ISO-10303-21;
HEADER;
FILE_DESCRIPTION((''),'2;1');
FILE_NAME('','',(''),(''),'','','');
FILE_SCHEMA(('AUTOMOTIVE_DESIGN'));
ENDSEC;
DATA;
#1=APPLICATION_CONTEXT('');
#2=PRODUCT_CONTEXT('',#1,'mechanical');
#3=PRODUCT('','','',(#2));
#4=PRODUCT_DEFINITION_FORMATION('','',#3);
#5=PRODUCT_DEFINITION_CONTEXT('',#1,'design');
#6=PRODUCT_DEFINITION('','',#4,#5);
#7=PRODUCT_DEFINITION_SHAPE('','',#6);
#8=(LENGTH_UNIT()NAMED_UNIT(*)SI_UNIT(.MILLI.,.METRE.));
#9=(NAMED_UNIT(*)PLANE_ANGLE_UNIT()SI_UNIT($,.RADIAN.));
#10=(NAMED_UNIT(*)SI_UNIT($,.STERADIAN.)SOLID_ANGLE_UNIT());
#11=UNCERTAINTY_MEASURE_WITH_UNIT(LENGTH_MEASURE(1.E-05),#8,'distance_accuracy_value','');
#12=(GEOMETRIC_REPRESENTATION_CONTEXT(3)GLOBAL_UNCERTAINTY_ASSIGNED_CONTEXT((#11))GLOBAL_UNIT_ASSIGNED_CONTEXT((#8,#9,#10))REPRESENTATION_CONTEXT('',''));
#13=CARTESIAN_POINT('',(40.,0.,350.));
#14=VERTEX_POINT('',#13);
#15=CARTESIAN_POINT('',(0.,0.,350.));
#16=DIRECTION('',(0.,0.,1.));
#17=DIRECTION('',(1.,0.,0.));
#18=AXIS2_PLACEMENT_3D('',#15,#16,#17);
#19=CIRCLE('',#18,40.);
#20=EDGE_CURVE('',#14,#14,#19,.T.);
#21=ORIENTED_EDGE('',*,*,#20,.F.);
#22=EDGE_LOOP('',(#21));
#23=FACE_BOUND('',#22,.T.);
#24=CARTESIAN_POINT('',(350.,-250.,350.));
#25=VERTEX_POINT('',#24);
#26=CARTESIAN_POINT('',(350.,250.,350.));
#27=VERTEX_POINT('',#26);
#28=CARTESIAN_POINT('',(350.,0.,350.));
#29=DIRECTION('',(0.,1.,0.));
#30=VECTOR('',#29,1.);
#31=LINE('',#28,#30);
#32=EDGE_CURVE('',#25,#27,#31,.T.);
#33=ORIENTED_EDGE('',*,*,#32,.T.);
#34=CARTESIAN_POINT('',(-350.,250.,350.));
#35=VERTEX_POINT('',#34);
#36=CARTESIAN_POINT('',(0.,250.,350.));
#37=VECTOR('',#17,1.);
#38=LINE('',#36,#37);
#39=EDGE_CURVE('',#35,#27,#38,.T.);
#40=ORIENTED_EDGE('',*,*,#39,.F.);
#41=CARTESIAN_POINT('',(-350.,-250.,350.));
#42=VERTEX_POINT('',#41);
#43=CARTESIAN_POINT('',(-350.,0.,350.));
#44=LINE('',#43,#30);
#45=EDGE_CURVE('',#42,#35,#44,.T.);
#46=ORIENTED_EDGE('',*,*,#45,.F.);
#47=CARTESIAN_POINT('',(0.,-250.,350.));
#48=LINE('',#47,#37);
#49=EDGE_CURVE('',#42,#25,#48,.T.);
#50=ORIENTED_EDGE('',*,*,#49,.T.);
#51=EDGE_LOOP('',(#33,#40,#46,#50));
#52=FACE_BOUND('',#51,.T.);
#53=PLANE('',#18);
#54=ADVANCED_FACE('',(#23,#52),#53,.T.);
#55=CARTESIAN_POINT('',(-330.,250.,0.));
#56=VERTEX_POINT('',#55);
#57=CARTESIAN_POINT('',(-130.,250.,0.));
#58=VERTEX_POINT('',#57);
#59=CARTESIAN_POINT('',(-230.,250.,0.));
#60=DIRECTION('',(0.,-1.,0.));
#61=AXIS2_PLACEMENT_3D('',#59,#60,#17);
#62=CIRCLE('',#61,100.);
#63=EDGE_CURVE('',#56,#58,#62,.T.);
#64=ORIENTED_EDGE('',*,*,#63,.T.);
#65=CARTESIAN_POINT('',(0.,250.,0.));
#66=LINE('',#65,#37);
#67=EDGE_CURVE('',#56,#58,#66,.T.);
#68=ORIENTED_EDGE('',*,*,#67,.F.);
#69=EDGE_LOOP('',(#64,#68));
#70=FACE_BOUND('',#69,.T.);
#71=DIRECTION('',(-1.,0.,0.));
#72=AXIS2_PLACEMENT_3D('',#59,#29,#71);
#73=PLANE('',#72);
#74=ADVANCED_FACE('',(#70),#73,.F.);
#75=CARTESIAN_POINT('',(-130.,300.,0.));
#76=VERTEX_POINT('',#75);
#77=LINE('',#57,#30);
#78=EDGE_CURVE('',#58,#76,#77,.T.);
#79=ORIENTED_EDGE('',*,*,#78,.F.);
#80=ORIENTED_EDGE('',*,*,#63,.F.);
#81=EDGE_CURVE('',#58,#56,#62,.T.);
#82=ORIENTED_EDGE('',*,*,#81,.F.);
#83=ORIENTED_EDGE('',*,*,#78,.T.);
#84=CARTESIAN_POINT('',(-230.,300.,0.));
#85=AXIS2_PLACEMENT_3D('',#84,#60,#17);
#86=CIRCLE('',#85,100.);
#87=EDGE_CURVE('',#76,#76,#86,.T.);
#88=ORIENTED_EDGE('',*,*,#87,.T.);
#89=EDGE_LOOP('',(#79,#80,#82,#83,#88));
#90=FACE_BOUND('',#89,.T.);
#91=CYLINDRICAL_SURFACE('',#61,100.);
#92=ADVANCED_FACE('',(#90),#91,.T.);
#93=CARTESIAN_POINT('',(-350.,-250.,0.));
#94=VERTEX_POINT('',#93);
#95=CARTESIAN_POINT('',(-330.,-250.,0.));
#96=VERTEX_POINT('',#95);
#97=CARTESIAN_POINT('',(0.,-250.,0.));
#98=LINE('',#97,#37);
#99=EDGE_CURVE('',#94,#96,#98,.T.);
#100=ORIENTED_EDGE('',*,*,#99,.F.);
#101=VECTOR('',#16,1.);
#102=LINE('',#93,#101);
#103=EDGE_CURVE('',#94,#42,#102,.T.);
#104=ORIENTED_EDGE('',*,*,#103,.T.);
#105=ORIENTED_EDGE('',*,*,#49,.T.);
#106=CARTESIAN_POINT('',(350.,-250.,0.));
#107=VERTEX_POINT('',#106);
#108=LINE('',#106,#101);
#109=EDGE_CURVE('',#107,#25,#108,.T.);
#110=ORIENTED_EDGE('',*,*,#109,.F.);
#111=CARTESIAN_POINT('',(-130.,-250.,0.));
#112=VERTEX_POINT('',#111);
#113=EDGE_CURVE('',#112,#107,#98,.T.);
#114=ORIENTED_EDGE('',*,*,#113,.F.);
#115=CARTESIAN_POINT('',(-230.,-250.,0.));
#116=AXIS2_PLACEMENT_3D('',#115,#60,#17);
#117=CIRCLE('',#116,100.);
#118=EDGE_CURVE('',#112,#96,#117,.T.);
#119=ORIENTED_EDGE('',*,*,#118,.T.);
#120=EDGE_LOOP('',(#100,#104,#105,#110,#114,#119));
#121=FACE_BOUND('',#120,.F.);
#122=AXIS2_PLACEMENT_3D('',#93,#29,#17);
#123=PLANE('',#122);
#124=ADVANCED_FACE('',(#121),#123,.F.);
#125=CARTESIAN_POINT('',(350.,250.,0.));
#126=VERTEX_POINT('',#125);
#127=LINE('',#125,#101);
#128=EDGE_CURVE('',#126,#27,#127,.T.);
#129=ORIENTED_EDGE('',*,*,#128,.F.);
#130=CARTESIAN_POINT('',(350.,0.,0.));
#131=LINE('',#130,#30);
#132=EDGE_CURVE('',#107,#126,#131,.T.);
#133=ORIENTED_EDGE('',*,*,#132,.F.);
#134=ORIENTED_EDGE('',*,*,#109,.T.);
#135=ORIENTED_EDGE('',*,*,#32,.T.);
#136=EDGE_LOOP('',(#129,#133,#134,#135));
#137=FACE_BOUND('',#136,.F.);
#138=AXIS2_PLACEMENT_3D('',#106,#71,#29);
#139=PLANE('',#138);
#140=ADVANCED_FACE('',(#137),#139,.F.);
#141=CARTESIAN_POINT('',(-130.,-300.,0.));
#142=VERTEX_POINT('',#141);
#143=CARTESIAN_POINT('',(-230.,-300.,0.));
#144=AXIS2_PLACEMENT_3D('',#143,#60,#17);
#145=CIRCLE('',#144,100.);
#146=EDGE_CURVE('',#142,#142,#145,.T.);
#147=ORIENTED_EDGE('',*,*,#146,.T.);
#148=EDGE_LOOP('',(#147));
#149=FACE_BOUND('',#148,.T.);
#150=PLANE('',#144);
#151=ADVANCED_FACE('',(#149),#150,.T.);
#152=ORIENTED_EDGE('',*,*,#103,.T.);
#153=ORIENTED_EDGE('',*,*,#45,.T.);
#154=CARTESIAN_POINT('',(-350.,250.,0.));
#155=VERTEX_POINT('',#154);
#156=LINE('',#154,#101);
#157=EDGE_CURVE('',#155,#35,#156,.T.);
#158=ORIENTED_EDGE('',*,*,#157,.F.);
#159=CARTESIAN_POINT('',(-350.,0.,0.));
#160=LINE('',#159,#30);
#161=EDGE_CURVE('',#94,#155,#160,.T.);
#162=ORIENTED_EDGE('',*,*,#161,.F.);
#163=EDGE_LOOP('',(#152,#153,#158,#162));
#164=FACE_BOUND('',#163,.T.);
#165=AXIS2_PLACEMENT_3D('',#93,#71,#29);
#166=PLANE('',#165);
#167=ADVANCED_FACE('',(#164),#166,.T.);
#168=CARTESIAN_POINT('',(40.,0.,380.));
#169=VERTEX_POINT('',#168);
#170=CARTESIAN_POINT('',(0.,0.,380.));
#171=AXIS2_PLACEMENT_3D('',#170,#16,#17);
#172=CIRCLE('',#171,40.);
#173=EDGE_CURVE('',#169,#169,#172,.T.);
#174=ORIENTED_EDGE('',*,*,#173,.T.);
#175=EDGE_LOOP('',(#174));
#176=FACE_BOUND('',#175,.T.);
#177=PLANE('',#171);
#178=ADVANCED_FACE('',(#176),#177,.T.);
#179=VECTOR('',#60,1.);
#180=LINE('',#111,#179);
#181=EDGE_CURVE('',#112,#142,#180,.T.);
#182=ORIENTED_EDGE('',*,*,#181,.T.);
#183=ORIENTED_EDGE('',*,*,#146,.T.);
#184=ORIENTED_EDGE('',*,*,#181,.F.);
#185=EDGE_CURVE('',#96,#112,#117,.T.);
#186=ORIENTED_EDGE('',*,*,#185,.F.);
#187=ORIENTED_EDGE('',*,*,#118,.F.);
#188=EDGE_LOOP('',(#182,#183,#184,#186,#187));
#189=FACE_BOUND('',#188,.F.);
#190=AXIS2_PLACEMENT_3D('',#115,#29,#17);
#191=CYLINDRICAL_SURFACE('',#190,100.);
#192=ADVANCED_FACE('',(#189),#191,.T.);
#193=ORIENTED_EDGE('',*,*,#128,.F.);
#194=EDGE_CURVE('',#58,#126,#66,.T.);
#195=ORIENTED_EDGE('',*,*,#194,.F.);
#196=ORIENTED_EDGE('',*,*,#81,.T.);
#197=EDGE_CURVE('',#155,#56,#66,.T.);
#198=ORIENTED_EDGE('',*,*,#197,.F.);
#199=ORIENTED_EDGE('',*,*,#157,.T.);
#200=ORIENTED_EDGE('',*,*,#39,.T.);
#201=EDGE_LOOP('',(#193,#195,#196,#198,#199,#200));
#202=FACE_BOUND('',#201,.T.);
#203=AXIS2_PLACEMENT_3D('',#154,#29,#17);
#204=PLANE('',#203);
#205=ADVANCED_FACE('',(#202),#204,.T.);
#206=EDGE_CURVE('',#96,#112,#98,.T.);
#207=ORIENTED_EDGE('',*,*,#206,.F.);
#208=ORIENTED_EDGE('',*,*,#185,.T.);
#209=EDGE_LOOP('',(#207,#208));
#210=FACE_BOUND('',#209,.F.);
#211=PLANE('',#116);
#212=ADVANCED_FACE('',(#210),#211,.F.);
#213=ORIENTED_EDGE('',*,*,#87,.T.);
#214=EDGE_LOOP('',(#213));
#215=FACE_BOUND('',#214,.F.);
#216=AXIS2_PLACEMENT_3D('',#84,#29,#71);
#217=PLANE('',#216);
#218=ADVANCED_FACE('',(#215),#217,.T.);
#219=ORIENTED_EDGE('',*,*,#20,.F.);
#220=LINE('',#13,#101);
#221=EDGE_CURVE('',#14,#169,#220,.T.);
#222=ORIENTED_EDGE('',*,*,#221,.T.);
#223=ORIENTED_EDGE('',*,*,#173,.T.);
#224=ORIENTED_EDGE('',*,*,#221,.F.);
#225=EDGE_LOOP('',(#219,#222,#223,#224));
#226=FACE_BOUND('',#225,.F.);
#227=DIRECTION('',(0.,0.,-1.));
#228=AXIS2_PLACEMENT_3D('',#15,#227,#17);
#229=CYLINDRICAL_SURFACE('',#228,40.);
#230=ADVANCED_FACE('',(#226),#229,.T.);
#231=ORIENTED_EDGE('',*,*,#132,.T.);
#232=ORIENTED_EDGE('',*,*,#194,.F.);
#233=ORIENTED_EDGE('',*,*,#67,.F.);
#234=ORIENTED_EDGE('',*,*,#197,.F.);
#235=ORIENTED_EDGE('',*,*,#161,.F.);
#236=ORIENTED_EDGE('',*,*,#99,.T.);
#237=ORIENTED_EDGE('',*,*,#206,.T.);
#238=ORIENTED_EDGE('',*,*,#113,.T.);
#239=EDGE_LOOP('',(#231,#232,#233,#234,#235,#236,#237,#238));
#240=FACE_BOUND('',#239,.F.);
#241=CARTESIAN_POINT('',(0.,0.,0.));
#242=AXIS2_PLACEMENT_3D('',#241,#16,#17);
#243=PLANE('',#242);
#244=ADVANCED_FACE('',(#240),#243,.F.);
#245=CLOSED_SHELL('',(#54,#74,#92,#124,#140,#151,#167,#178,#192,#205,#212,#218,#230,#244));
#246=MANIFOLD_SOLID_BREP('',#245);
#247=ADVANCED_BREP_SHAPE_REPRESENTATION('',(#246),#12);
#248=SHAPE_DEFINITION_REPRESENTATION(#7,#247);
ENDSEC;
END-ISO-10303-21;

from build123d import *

# Parameters (mm, degrees)
SKETCH_W     = 700
SKETCH_H     = 500
PAD_DEPTH    = 350
SKETCH001_R  = 40
PAD001_DEPTH = 30
SKETCH002_R  = 100
PAD002_DEPTH = 50


with BuildPart() as part:
    # Sketch → Pad (new body)
    with BuildSketch(Plane.XY):
        Rectangle(SKETCH_W, SKETCH_H)
    extrude(amount=PAD_DEPTH)

    # Sketch001 (on Face6 of Pad) → Pad001 (join)
    with BuildSketch(Plane.XY.offset(350)):
        Circle(SKETCH001_R)
    extrude(amount=PAD001_DEPTH)

    # Sketch002 (on Face6 of Pad001) → Pad002 (join)
    with BuildSketch(Plane.XZ.offset(250)):
        with Locations((-230, 0)):
            Circle(SKETCH002_R)
    pad002 = extrude(amount=PAD002_DEPTH)

    # Mirrored: Pad002 across XZ
    add(pad002.mirror(Plane.XZ))


solid = part.part
